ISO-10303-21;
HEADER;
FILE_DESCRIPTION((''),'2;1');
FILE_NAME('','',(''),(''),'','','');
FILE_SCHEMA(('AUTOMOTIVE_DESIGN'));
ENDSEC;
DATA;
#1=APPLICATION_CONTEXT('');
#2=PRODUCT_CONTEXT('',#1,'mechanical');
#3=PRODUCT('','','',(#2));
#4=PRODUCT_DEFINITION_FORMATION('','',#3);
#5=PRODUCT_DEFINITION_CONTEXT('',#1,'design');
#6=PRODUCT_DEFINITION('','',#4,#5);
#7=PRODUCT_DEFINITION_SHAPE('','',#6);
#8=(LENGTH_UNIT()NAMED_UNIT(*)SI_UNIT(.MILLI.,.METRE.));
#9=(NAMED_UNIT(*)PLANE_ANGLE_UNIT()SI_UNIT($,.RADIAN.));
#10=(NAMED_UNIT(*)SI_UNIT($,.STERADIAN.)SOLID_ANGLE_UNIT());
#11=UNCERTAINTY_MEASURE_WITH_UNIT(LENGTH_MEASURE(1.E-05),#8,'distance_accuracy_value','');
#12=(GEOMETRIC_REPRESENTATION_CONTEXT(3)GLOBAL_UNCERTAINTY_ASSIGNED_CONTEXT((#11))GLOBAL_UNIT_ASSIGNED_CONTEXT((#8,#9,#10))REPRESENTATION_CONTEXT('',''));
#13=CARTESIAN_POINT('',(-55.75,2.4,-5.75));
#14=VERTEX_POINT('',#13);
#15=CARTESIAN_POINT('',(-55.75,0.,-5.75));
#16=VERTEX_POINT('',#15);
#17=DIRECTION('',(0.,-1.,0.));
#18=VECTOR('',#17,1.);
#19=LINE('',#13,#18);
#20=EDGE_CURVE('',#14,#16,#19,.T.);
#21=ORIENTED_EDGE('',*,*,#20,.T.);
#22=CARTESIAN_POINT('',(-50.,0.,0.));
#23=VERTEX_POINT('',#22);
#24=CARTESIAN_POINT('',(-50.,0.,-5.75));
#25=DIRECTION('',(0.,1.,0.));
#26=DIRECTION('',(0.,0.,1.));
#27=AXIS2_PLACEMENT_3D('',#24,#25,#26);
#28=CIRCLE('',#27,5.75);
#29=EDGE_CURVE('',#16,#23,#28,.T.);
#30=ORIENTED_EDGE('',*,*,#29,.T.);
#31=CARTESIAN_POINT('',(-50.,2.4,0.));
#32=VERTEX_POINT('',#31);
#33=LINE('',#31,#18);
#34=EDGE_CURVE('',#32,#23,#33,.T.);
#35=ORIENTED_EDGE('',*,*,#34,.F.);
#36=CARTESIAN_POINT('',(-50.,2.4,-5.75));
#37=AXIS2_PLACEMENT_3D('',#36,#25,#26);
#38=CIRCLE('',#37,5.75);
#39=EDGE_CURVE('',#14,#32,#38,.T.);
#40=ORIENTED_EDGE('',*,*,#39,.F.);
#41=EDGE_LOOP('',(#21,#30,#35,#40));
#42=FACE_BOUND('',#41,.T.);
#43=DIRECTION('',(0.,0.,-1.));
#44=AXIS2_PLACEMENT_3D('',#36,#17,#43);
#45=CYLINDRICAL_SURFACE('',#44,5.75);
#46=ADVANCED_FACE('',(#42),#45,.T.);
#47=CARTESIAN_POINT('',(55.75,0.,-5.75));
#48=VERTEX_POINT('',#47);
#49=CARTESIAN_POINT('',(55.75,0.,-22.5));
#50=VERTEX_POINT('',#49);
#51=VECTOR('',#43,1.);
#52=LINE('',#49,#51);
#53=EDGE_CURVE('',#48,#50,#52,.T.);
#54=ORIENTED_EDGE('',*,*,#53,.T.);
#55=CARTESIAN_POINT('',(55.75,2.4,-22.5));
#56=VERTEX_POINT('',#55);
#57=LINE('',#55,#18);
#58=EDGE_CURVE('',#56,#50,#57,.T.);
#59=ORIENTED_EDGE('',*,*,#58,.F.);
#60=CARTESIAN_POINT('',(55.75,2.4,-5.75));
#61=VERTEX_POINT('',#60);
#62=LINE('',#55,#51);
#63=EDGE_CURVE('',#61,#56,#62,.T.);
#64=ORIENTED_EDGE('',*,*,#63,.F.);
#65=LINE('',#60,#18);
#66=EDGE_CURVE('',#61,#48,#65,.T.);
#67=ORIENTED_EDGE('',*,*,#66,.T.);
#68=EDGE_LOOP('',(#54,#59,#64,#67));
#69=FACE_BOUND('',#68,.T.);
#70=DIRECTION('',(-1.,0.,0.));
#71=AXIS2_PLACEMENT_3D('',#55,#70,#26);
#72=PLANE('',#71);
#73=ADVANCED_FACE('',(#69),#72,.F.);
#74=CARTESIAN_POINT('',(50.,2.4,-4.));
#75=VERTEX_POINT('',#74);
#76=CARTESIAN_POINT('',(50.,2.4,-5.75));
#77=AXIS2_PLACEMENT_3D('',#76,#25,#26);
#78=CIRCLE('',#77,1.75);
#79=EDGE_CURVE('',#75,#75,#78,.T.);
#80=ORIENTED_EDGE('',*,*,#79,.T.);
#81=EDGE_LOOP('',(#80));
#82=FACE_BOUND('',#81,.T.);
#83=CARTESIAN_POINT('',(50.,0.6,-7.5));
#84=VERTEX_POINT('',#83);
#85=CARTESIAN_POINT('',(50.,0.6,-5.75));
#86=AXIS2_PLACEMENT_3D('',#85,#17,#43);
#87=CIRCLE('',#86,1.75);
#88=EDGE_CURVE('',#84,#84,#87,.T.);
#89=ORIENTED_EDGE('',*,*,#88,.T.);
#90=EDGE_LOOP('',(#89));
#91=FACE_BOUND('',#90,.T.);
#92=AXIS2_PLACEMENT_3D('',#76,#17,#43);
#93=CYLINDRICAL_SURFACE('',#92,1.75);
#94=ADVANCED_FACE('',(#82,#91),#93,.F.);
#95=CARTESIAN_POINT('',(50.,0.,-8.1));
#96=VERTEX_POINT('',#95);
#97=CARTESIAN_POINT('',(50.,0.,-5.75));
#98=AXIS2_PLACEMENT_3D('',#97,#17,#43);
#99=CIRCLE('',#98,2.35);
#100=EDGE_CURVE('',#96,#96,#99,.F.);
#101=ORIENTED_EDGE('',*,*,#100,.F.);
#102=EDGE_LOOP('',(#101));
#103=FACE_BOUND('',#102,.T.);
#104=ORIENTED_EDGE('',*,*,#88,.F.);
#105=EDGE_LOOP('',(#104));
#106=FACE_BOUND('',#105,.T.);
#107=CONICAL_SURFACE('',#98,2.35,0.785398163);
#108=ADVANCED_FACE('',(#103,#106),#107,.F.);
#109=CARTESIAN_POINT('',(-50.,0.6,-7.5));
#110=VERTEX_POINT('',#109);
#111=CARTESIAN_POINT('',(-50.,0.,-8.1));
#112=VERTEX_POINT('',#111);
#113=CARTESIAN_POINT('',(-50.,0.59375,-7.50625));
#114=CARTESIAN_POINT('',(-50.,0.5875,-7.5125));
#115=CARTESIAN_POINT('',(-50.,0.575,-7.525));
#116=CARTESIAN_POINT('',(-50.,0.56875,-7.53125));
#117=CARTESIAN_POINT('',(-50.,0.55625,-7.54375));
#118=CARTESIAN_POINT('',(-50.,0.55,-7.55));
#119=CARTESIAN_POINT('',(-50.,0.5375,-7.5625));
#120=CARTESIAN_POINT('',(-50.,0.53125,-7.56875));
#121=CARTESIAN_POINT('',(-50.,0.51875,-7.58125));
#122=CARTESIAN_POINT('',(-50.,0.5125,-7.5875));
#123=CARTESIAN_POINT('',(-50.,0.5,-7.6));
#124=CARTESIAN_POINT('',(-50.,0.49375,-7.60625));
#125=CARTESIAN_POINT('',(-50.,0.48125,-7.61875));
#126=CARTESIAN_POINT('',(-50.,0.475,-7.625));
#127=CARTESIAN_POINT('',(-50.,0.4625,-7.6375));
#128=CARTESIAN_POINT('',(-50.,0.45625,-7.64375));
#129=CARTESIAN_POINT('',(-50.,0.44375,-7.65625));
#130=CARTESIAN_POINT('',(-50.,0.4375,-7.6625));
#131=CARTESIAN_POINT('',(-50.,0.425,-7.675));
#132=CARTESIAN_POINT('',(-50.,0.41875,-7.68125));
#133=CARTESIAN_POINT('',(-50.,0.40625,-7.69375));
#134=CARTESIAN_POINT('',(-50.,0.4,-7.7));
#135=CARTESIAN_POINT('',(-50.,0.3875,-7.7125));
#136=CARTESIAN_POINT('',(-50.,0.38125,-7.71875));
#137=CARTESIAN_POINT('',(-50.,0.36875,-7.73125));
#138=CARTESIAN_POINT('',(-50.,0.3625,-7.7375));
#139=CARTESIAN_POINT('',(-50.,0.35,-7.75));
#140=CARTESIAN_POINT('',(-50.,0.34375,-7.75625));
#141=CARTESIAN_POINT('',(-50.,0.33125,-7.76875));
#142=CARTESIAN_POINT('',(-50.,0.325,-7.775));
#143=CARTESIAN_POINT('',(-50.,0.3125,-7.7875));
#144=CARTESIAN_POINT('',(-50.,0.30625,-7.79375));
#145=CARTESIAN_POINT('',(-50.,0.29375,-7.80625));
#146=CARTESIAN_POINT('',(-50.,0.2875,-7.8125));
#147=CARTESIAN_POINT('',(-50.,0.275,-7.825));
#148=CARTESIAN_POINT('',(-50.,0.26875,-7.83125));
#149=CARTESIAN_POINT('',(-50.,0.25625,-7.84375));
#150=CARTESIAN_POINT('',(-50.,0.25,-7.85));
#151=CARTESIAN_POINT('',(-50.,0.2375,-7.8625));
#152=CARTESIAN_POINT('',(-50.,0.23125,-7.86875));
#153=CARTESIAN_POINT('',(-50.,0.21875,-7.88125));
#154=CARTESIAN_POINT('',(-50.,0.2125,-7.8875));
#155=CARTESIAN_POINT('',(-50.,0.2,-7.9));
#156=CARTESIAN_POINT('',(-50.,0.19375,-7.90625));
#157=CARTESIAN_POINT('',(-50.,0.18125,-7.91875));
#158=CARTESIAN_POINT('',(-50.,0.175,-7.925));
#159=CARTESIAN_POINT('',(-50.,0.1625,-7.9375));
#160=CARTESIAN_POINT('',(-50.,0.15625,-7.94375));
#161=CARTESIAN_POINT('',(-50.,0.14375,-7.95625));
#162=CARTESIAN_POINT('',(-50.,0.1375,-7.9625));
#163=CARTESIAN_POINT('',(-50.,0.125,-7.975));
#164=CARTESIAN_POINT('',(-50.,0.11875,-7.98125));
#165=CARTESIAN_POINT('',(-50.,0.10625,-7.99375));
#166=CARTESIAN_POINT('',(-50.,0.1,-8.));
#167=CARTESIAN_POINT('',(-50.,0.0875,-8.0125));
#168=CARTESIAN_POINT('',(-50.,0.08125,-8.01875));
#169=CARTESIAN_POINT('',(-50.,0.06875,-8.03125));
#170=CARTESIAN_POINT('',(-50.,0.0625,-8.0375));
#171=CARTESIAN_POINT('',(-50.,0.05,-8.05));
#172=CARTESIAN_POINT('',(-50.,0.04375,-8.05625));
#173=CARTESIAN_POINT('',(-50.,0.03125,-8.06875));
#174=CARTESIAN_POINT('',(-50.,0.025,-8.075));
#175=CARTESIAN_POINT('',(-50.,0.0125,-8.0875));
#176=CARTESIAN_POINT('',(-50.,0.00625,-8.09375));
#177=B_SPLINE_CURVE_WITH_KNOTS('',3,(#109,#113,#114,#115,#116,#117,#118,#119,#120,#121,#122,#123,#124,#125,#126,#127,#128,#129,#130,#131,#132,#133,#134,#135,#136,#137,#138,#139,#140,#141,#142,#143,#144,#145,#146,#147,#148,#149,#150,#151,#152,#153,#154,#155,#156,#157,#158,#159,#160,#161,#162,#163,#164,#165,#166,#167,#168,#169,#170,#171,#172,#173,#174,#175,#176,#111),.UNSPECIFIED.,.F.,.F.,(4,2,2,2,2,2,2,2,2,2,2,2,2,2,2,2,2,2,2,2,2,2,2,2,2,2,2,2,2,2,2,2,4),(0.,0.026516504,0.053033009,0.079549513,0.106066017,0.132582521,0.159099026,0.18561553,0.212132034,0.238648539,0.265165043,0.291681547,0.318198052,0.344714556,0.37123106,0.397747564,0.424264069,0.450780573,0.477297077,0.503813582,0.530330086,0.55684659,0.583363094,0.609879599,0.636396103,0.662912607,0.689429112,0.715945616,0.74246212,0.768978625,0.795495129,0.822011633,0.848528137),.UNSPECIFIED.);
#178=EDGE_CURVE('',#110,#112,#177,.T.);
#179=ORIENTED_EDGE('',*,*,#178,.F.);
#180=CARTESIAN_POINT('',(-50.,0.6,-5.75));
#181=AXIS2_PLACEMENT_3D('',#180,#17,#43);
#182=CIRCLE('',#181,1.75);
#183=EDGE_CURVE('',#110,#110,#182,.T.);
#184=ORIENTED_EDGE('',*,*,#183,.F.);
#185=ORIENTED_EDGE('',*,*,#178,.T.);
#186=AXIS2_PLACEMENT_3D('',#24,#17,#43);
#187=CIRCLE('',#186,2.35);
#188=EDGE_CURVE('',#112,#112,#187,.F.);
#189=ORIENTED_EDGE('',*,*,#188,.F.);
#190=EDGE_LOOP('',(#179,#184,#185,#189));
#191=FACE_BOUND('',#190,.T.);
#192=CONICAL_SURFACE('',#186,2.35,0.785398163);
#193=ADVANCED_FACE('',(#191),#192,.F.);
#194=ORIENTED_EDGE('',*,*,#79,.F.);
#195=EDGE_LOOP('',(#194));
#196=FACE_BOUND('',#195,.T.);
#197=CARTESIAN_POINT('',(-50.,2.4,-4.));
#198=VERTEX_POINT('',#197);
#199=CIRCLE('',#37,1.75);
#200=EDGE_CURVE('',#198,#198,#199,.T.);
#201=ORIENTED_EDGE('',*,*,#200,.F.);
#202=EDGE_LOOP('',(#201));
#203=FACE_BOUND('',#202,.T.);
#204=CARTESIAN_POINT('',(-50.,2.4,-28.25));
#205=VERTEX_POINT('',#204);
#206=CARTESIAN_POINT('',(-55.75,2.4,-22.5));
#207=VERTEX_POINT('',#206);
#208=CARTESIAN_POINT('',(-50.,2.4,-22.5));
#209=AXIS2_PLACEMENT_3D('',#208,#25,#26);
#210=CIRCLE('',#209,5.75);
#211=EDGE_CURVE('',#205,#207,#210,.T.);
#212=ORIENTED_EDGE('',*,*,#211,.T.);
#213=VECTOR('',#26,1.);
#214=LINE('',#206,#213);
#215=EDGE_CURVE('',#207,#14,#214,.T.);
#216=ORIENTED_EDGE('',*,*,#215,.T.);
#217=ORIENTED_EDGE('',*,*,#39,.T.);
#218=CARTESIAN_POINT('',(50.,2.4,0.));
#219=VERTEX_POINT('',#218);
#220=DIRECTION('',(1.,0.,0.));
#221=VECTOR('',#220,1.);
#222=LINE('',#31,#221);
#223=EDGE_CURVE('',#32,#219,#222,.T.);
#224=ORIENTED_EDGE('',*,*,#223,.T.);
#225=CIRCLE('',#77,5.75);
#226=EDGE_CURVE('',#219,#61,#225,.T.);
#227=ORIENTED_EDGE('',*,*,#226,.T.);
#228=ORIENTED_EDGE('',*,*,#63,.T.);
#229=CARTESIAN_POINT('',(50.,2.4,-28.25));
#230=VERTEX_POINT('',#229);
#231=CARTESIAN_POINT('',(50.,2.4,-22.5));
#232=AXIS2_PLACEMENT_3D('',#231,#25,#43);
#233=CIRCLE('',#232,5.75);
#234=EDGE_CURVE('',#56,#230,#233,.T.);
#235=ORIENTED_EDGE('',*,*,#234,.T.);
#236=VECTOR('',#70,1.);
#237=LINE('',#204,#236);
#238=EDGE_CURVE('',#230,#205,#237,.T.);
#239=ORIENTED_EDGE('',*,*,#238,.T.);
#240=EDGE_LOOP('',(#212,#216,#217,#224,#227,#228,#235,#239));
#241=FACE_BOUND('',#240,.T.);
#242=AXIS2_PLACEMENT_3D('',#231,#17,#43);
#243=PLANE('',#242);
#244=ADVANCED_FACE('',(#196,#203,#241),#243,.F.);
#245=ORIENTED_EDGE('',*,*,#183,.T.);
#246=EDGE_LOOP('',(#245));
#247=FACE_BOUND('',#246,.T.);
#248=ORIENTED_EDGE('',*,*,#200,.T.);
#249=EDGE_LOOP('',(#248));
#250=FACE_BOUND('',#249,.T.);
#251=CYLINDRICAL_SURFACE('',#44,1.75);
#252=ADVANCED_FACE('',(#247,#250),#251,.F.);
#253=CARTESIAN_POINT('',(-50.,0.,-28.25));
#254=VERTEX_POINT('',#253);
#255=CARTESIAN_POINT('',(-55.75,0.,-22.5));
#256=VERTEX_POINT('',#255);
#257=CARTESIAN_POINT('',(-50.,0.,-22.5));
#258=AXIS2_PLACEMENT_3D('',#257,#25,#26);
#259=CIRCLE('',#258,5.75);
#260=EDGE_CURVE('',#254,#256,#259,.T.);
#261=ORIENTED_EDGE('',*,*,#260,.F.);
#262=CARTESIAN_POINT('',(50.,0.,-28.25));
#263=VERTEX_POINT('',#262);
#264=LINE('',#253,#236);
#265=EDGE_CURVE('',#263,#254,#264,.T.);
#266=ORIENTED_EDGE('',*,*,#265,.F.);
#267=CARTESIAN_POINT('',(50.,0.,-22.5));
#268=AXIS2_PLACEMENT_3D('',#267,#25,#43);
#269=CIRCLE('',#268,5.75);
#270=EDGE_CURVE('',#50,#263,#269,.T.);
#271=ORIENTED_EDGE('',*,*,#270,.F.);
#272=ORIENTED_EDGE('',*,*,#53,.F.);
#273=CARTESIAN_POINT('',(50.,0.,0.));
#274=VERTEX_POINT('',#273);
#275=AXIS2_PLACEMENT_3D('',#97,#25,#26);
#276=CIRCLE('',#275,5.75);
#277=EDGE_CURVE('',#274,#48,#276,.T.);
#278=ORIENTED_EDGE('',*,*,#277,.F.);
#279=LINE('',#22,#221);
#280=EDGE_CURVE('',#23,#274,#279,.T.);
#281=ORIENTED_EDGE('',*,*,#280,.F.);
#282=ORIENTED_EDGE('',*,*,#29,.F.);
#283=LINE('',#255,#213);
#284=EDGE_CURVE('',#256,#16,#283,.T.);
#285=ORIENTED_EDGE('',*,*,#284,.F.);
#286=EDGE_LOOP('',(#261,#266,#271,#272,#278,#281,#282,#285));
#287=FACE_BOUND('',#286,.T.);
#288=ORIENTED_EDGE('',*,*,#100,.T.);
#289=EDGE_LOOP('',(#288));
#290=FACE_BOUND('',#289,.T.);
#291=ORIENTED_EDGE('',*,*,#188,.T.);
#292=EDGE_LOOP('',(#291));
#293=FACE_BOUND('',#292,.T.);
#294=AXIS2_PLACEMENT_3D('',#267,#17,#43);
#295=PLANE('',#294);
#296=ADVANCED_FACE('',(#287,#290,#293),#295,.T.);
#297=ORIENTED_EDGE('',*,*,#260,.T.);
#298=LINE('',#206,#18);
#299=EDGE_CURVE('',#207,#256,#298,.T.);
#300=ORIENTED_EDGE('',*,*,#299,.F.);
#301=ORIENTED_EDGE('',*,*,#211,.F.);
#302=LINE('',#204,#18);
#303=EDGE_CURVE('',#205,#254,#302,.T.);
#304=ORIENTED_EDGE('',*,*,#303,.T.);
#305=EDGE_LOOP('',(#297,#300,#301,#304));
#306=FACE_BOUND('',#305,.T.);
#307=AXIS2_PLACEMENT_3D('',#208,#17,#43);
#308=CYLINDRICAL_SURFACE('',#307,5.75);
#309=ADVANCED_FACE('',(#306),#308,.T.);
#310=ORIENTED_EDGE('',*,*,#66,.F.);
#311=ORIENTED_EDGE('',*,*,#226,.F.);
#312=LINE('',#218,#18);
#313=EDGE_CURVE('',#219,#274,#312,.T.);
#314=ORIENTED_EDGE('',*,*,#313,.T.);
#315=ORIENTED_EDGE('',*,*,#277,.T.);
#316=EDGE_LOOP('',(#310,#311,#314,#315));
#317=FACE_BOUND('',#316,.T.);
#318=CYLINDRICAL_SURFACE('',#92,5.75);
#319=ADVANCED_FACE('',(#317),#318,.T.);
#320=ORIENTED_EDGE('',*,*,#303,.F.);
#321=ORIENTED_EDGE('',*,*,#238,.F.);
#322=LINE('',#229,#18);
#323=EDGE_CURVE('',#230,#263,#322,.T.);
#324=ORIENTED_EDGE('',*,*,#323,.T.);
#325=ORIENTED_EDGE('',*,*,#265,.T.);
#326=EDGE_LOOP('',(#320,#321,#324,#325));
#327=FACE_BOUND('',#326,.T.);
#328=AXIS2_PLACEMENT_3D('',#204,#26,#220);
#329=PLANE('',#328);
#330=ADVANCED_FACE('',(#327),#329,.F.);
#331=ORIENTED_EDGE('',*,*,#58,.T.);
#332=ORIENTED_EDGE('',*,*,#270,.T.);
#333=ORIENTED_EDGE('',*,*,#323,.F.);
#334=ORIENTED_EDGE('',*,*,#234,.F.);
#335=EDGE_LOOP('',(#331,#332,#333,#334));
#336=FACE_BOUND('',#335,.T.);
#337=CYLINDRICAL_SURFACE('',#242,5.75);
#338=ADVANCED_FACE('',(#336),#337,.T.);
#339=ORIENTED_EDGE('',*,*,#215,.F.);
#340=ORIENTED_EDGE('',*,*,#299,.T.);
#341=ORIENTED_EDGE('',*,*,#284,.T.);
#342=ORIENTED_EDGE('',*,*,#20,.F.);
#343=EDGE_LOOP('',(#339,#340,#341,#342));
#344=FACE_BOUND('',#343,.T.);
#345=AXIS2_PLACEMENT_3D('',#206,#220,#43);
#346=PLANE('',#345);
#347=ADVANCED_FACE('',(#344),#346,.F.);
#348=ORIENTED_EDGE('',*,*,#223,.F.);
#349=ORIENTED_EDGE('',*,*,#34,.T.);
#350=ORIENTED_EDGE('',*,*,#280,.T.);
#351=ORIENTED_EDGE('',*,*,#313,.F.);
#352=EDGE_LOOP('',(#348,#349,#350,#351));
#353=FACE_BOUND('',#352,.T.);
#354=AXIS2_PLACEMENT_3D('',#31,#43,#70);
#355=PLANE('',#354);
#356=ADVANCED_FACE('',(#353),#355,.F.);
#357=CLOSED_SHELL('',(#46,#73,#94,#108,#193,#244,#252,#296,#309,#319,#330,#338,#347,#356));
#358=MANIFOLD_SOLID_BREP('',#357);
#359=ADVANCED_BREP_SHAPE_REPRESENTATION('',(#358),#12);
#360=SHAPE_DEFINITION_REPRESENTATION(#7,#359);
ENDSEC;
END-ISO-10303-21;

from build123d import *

# Parameters (mm, degrees)
SKETCH1_R           = 1.75
BOSS_EXTRUDE1_DEPTH = 2.4
CHAMFER1_SIZE       = 0.6


with BuildPart() as part:
    # Sketch1 → Boss-Extrude1 (new body)
    with BuildSketch(Plane(origin=(0, 0, 0), x_dir=(1, 0, 0), z_dir=(0, 1, 0))):
        with BuildLine():
            Line((-50, 28.25), (50, 28.25))
            ThreePointArc((50, 28.25), (54.065863992, 26.565863992), (55.75, 22.5))
            Line((55.75, 22.5), (55.75, 5.75))
            ThreePointArc((55.75, 5.75), (54.065863992, 1.684136008), (50, 0))
            Line((50, 0), (-50, 0))
            ThreePointArc((-50, 0), (-54.065863992, 1.684136008), (-55.75, 5.75))
            Line((-55.75, 5.75), (-55.75, 22.5))
            ThreePointArc((-55.75, 22.5), (-54.065863992, 26.565863992), (-50, 28.25))
        make_face()
        with Locations(Location((-50, 5.75, 0), (0, 0, 270))):
            Circle(SKETCH1_R, mode=Mode.SUBTRACT)
        with Locations(Location((50, 5.75, 0), (0, 0, 270))):
            Circle(SKETCH1_R, mode=Mode.SUBTRACT)
    extrude(amount=BOSS_EXTRUDE1_DEPTH)

    # Chamfer1
    chamfer1_edges = [part.edges().sort_by_distance(p)[0] for p in [
        (50, 0, -7.5),
        (-50, 0, -7.5),
    ]]
    chamfer(chamfer1_edges, length=CHAMFER1_SIZE)


solid = part.part
